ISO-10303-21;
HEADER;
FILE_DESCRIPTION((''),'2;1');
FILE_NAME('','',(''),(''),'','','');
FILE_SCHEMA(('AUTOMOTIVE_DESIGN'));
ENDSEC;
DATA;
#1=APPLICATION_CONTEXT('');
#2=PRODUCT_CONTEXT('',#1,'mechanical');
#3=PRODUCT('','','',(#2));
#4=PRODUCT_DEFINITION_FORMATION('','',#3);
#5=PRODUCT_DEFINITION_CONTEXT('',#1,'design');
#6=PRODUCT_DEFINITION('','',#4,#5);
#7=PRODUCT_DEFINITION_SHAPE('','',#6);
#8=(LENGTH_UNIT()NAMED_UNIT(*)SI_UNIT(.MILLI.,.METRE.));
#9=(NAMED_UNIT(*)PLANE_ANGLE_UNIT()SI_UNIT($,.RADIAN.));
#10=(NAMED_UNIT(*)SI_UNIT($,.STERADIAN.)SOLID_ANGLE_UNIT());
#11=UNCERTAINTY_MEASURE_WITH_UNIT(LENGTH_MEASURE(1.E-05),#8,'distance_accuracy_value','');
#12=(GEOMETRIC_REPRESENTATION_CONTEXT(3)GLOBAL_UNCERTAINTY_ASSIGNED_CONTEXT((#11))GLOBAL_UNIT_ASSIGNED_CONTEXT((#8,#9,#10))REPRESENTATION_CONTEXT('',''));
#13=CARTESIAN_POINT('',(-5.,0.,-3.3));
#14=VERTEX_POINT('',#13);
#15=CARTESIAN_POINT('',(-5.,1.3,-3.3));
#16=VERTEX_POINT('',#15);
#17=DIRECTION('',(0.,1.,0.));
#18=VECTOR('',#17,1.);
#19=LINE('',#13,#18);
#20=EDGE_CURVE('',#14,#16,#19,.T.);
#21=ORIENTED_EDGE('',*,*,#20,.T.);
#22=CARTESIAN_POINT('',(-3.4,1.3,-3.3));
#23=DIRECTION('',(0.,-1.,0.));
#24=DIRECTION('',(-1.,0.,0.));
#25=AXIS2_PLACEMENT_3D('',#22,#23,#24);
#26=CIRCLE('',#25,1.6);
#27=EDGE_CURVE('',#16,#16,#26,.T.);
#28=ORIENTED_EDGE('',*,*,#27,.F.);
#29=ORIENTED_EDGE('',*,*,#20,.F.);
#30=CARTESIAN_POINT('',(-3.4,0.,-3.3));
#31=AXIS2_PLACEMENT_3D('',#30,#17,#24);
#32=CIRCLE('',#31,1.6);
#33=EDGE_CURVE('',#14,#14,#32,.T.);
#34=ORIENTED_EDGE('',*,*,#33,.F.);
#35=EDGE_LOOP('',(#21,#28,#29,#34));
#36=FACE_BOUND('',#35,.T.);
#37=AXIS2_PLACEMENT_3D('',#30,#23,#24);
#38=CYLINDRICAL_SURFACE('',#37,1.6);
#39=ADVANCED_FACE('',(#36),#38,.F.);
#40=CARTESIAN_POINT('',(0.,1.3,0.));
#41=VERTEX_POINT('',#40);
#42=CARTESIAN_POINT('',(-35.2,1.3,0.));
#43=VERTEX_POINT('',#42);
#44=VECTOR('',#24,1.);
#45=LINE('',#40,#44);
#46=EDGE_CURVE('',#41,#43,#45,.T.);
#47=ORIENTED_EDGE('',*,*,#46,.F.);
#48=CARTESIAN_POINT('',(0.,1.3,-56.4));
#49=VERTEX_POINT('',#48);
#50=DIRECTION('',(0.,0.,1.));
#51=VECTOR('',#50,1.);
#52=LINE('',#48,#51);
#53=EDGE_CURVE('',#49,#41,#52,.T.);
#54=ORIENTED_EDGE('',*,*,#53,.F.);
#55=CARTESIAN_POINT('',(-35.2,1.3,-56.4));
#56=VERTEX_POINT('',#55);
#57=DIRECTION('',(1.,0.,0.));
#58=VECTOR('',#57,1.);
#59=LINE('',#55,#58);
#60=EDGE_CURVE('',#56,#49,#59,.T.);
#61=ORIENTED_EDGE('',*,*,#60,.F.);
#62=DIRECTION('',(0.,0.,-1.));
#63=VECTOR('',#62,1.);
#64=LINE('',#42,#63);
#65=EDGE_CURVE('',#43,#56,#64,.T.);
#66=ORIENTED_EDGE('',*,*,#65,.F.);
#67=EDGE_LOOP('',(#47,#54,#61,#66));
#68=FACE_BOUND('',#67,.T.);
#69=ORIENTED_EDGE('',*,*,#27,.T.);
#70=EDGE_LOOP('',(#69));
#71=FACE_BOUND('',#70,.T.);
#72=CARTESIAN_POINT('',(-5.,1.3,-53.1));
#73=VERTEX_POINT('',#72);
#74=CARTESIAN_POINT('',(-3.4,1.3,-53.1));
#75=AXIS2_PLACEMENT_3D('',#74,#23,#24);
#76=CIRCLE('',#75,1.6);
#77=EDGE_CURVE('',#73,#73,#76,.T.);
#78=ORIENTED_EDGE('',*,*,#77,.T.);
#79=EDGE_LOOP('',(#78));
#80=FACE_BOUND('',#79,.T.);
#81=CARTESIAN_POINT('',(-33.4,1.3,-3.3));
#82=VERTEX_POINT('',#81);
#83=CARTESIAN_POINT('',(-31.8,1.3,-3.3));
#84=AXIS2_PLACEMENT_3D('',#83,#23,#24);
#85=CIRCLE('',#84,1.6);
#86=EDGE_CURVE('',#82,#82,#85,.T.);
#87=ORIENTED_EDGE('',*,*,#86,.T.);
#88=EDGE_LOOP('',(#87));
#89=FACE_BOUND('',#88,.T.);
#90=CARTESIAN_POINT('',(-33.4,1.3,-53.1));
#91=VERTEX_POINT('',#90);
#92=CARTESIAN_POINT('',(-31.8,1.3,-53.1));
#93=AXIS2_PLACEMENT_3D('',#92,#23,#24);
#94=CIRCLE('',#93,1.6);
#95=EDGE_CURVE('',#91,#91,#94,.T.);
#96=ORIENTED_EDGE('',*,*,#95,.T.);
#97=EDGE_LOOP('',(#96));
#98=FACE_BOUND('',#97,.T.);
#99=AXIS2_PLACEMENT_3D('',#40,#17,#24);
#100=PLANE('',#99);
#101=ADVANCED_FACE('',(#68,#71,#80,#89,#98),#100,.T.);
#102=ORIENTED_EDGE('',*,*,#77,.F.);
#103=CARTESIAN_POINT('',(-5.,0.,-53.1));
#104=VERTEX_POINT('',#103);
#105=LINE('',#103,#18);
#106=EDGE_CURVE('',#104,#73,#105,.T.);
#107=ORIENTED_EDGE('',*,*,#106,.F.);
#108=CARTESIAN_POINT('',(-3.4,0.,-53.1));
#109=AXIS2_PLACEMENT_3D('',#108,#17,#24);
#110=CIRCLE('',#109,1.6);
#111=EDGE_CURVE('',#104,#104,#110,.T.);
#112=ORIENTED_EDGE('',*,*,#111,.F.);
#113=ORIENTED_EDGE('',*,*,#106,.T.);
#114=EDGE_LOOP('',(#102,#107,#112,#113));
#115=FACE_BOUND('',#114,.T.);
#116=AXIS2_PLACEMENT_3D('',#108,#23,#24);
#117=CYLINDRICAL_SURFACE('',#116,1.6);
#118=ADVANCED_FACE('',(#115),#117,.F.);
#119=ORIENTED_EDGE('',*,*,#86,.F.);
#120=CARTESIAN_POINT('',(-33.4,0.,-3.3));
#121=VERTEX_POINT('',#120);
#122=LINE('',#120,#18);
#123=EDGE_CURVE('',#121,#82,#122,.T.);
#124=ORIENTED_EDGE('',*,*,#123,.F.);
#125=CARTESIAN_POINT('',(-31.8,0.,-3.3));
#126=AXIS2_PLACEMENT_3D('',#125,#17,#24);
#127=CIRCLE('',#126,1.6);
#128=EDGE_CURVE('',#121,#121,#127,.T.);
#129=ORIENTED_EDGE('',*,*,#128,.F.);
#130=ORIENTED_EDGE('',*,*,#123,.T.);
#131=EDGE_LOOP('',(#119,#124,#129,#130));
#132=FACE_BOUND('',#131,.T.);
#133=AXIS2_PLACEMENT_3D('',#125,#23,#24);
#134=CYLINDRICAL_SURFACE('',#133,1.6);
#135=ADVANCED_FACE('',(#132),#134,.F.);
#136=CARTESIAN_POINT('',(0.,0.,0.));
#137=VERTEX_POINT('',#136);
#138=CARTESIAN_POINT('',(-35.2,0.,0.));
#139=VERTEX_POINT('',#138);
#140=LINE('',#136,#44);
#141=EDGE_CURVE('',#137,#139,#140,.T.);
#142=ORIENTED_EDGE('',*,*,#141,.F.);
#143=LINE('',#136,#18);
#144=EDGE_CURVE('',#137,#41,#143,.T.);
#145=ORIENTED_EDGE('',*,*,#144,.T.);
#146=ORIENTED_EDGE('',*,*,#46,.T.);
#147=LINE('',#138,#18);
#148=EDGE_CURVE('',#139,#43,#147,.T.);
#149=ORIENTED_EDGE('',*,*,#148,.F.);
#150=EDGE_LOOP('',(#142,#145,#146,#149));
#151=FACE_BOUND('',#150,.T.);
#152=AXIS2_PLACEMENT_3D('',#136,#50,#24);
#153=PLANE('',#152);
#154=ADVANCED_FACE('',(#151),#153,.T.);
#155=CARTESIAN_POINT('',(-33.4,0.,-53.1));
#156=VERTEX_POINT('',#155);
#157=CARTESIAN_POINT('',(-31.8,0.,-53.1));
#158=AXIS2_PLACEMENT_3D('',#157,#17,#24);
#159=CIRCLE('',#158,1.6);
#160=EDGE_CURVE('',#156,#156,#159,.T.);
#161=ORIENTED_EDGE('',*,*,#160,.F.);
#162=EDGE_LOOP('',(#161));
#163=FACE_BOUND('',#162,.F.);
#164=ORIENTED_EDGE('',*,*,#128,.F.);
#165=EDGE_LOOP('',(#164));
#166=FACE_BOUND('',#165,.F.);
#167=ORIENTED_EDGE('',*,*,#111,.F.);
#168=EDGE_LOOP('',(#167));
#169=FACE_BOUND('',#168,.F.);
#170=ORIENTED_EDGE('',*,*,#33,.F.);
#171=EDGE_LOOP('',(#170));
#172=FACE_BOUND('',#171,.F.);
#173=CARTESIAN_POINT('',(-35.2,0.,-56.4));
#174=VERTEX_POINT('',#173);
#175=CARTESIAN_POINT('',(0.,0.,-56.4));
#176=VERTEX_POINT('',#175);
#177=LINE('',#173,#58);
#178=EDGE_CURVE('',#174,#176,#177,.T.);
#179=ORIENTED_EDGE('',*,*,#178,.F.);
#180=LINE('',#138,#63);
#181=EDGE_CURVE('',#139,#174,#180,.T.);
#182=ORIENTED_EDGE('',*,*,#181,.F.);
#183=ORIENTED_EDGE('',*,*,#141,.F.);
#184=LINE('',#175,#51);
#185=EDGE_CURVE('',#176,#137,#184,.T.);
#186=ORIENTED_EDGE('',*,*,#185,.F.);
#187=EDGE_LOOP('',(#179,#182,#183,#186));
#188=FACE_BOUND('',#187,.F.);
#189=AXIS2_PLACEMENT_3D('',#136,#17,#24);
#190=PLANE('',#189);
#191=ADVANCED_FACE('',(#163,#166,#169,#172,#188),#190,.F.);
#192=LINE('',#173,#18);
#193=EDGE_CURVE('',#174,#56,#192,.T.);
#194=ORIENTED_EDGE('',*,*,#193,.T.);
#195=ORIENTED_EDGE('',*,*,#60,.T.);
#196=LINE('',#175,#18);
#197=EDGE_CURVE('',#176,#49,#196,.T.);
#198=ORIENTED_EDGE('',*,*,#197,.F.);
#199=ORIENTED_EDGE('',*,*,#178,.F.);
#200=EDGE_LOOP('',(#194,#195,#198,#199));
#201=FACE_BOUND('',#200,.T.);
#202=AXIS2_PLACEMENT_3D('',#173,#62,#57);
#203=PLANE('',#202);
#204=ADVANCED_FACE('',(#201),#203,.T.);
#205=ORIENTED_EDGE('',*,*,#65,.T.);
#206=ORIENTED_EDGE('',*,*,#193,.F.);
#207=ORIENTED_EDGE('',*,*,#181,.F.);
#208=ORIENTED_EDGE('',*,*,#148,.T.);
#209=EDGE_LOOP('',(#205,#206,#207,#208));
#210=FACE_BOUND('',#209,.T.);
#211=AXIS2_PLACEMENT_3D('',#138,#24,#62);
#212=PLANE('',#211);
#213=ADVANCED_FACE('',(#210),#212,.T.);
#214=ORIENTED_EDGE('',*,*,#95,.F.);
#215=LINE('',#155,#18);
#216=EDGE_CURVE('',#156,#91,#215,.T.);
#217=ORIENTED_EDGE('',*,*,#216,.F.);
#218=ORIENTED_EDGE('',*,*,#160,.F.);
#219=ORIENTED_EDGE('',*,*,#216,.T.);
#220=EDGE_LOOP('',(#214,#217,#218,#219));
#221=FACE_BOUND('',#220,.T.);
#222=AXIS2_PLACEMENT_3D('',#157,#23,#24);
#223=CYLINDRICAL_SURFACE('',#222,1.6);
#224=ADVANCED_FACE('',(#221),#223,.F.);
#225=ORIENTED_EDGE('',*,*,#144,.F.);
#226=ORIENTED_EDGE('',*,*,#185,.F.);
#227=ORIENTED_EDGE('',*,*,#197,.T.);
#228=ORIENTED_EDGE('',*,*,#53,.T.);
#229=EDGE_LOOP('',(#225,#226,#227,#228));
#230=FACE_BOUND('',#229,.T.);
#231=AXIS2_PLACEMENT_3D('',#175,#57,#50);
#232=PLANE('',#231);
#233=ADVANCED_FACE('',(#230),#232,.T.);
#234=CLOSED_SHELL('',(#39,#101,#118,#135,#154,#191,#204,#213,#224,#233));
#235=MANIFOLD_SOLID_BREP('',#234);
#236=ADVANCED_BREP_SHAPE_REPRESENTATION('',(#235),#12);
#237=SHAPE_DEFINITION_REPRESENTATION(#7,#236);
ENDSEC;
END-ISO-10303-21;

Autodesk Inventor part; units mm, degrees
ref_plane "YZ Plane" through (0, 0, 0) normal (1, 0, 0) x (0, 1, 0)
ref_plane "XZ Plane" through (0, 0, 0) normal (0, 1, 0) x (-1, 0, 0)
ref_plane "XY Plane" through (0, 0, 0) normal (0, 0, 1) x (1, 0, 0)
sketch "草圖1" plane through (0, 0, 0) normal (0, 1, 0) x (-1, 0, 0)
  line L0 (0, 0) -> (35.2, 0)
  line L1 (35.2, 0) -> (35.2, -56.4)
  line L2 (35.2, -56.4) -> (0, -56.4)
  line L3 (0, -56.4) -> (0, 0)
  line L4 (31.8, -3.3) -> (3.4, -3.3)
  line L5 (3.4, -3.3) -> (3.4, -53.1)
  line L6 (3.4, -53.1) -> (31.8, -53.1)
  line L7 (31.8, -53.1) -> (31.8, -3.3)
  circle A0 centre (31.8, -3.3) radius 1.6
  circle A1 centre (3.4, -3.3) radius 1.6
  circle A2 centre (31.8, -53.1) radius 1.6
  circle A3 centre (3.4, -53.1) radius 1.6
  dimension "d0" = 56.4
  dimension "d1" = 35.2
  dimension "d4" = 49.8
  dimension "d5" = 28.4
  dimension "d6" = 3.3
  dimension "d7" = 3.4
  dimension "d8" = 3.2
  dimension "d9" = 3.2
  dimension "d10" = 3.2
  dimension "d11" = 3.2
extrude "擠出1" add sketch "草圖1" along normal blind 1.3 contours L0 L1 L2 L3 | A1 L5 L4 | L4 L5 A1 | L4 A0 L7 A2 L6 A3 L5 A1 | A0 L7 L4 | L4 L7 A0 | A3 L6 L5 | L5 L6 A3 | A2 L6 L7 | L7 L6 A2
extrude "擠出2" cut sketch "草圖1" along normal blind 1.3 contours A1 L5 L4 | L4 L5 A1 | A0 L7 L4 | L4 L7 A0 | A3 L6 L5 | L5 L6 A3 | A2 L6 L7 | L7 L6 A2
properties part number "降壓板"
